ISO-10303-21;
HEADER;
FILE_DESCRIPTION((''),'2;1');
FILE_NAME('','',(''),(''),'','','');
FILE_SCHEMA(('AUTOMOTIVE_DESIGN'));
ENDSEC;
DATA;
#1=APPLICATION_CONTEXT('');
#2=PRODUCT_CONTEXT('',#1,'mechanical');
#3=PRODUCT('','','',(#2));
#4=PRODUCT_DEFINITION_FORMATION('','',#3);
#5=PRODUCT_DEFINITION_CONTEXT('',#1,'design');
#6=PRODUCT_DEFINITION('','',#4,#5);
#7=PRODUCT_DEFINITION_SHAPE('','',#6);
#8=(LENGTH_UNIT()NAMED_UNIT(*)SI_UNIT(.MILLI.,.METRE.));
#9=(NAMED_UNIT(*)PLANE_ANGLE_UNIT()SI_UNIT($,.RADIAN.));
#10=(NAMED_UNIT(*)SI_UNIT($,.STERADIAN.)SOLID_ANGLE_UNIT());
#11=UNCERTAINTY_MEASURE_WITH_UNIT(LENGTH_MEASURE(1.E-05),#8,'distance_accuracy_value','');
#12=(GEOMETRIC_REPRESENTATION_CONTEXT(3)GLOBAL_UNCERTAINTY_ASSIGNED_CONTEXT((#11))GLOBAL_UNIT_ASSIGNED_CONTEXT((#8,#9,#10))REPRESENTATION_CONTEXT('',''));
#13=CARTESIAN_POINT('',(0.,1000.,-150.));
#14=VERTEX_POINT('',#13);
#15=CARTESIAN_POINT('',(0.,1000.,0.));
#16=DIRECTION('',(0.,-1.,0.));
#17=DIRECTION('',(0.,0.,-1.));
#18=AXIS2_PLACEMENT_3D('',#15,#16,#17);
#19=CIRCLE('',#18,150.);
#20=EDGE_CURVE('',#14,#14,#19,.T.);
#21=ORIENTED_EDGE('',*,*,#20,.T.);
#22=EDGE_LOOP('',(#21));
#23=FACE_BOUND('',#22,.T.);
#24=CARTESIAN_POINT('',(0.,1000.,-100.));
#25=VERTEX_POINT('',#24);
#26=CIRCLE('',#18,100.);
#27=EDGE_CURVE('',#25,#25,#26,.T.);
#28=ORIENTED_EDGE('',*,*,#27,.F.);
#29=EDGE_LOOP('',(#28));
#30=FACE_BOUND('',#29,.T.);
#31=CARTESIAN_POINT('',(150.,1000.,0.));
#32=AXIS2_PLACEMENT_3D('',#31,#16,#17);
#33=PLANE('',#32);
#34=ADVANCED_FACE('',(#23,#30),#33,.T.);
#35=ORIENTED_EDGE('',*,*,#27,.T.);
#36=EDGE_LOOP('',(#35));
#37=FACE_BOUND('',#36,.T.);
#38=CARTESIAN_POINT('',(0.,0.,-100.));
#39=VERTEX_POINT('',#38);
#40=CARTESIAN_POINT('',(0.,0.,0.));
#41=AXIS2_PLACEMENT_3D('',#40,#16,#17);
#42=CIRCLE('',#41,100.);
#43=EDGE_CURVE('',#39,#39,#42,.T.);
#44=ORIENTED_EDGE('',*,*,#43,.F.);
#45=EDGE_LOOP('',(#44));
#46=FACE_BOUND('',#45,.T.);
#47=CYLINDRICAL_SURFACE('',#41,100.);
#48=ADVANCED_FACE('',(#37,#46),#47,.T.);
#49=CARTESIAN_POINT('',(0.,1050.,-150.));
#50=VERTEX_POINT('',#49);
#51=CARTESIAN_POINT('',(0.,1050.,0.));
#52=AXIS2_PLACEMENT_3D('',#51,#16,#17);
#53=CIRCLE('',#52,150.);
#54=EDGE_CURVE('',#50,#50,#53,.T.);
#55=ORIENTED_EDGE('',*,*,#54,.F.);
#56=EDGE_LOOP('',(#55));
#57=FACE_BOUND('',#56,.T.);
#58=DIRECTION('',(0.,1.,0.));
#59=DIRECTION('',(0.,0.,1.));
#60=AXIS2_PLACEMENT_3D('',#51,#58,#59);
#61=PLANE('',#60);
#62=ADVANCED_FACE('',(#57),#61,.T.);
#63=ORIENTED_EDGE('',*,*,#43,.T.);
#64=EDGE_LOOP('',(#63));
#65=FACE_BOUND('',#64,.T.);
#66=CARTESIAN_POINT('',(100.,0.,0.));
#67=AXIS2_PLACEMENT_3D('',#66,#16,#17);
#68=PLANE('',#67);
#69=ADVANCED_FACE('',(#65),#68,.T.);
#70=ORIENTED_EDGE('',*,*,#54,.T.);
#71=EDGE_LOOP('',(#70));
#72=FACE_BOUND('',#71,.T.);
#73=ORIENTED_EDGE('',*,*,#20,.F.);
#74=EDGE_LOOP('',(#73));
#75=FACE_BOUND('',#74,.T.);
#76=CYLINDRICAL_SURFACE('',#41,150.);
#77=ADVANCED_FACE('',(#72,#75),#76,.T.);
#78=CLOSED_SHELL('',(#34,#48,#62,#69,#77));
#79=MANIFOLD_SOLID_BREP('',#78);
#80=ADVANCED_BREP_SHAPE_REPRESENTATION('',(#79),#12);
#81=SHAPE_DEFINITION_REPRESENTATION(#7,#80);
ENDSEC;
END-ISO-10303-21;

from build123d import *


with BuildPart() as part:
    # Sketch2 → Revolve1 (revolve)
    with BuildSketch(Plane.XY, mode=Mode.PRIVATE) as revolve1_sk:
        Polygon((0, 0), (0, 1050), (150, 1050), (150, 1000), (100, 1000), (100, 0), align=None)
    revolve(revolve1_sk.sketch.rotate(Axis((0, 0, 0), (0, 1, 0)), 90), axis=Axis((0, 0, 0), (0, 1, 0)))


solid = part.part
